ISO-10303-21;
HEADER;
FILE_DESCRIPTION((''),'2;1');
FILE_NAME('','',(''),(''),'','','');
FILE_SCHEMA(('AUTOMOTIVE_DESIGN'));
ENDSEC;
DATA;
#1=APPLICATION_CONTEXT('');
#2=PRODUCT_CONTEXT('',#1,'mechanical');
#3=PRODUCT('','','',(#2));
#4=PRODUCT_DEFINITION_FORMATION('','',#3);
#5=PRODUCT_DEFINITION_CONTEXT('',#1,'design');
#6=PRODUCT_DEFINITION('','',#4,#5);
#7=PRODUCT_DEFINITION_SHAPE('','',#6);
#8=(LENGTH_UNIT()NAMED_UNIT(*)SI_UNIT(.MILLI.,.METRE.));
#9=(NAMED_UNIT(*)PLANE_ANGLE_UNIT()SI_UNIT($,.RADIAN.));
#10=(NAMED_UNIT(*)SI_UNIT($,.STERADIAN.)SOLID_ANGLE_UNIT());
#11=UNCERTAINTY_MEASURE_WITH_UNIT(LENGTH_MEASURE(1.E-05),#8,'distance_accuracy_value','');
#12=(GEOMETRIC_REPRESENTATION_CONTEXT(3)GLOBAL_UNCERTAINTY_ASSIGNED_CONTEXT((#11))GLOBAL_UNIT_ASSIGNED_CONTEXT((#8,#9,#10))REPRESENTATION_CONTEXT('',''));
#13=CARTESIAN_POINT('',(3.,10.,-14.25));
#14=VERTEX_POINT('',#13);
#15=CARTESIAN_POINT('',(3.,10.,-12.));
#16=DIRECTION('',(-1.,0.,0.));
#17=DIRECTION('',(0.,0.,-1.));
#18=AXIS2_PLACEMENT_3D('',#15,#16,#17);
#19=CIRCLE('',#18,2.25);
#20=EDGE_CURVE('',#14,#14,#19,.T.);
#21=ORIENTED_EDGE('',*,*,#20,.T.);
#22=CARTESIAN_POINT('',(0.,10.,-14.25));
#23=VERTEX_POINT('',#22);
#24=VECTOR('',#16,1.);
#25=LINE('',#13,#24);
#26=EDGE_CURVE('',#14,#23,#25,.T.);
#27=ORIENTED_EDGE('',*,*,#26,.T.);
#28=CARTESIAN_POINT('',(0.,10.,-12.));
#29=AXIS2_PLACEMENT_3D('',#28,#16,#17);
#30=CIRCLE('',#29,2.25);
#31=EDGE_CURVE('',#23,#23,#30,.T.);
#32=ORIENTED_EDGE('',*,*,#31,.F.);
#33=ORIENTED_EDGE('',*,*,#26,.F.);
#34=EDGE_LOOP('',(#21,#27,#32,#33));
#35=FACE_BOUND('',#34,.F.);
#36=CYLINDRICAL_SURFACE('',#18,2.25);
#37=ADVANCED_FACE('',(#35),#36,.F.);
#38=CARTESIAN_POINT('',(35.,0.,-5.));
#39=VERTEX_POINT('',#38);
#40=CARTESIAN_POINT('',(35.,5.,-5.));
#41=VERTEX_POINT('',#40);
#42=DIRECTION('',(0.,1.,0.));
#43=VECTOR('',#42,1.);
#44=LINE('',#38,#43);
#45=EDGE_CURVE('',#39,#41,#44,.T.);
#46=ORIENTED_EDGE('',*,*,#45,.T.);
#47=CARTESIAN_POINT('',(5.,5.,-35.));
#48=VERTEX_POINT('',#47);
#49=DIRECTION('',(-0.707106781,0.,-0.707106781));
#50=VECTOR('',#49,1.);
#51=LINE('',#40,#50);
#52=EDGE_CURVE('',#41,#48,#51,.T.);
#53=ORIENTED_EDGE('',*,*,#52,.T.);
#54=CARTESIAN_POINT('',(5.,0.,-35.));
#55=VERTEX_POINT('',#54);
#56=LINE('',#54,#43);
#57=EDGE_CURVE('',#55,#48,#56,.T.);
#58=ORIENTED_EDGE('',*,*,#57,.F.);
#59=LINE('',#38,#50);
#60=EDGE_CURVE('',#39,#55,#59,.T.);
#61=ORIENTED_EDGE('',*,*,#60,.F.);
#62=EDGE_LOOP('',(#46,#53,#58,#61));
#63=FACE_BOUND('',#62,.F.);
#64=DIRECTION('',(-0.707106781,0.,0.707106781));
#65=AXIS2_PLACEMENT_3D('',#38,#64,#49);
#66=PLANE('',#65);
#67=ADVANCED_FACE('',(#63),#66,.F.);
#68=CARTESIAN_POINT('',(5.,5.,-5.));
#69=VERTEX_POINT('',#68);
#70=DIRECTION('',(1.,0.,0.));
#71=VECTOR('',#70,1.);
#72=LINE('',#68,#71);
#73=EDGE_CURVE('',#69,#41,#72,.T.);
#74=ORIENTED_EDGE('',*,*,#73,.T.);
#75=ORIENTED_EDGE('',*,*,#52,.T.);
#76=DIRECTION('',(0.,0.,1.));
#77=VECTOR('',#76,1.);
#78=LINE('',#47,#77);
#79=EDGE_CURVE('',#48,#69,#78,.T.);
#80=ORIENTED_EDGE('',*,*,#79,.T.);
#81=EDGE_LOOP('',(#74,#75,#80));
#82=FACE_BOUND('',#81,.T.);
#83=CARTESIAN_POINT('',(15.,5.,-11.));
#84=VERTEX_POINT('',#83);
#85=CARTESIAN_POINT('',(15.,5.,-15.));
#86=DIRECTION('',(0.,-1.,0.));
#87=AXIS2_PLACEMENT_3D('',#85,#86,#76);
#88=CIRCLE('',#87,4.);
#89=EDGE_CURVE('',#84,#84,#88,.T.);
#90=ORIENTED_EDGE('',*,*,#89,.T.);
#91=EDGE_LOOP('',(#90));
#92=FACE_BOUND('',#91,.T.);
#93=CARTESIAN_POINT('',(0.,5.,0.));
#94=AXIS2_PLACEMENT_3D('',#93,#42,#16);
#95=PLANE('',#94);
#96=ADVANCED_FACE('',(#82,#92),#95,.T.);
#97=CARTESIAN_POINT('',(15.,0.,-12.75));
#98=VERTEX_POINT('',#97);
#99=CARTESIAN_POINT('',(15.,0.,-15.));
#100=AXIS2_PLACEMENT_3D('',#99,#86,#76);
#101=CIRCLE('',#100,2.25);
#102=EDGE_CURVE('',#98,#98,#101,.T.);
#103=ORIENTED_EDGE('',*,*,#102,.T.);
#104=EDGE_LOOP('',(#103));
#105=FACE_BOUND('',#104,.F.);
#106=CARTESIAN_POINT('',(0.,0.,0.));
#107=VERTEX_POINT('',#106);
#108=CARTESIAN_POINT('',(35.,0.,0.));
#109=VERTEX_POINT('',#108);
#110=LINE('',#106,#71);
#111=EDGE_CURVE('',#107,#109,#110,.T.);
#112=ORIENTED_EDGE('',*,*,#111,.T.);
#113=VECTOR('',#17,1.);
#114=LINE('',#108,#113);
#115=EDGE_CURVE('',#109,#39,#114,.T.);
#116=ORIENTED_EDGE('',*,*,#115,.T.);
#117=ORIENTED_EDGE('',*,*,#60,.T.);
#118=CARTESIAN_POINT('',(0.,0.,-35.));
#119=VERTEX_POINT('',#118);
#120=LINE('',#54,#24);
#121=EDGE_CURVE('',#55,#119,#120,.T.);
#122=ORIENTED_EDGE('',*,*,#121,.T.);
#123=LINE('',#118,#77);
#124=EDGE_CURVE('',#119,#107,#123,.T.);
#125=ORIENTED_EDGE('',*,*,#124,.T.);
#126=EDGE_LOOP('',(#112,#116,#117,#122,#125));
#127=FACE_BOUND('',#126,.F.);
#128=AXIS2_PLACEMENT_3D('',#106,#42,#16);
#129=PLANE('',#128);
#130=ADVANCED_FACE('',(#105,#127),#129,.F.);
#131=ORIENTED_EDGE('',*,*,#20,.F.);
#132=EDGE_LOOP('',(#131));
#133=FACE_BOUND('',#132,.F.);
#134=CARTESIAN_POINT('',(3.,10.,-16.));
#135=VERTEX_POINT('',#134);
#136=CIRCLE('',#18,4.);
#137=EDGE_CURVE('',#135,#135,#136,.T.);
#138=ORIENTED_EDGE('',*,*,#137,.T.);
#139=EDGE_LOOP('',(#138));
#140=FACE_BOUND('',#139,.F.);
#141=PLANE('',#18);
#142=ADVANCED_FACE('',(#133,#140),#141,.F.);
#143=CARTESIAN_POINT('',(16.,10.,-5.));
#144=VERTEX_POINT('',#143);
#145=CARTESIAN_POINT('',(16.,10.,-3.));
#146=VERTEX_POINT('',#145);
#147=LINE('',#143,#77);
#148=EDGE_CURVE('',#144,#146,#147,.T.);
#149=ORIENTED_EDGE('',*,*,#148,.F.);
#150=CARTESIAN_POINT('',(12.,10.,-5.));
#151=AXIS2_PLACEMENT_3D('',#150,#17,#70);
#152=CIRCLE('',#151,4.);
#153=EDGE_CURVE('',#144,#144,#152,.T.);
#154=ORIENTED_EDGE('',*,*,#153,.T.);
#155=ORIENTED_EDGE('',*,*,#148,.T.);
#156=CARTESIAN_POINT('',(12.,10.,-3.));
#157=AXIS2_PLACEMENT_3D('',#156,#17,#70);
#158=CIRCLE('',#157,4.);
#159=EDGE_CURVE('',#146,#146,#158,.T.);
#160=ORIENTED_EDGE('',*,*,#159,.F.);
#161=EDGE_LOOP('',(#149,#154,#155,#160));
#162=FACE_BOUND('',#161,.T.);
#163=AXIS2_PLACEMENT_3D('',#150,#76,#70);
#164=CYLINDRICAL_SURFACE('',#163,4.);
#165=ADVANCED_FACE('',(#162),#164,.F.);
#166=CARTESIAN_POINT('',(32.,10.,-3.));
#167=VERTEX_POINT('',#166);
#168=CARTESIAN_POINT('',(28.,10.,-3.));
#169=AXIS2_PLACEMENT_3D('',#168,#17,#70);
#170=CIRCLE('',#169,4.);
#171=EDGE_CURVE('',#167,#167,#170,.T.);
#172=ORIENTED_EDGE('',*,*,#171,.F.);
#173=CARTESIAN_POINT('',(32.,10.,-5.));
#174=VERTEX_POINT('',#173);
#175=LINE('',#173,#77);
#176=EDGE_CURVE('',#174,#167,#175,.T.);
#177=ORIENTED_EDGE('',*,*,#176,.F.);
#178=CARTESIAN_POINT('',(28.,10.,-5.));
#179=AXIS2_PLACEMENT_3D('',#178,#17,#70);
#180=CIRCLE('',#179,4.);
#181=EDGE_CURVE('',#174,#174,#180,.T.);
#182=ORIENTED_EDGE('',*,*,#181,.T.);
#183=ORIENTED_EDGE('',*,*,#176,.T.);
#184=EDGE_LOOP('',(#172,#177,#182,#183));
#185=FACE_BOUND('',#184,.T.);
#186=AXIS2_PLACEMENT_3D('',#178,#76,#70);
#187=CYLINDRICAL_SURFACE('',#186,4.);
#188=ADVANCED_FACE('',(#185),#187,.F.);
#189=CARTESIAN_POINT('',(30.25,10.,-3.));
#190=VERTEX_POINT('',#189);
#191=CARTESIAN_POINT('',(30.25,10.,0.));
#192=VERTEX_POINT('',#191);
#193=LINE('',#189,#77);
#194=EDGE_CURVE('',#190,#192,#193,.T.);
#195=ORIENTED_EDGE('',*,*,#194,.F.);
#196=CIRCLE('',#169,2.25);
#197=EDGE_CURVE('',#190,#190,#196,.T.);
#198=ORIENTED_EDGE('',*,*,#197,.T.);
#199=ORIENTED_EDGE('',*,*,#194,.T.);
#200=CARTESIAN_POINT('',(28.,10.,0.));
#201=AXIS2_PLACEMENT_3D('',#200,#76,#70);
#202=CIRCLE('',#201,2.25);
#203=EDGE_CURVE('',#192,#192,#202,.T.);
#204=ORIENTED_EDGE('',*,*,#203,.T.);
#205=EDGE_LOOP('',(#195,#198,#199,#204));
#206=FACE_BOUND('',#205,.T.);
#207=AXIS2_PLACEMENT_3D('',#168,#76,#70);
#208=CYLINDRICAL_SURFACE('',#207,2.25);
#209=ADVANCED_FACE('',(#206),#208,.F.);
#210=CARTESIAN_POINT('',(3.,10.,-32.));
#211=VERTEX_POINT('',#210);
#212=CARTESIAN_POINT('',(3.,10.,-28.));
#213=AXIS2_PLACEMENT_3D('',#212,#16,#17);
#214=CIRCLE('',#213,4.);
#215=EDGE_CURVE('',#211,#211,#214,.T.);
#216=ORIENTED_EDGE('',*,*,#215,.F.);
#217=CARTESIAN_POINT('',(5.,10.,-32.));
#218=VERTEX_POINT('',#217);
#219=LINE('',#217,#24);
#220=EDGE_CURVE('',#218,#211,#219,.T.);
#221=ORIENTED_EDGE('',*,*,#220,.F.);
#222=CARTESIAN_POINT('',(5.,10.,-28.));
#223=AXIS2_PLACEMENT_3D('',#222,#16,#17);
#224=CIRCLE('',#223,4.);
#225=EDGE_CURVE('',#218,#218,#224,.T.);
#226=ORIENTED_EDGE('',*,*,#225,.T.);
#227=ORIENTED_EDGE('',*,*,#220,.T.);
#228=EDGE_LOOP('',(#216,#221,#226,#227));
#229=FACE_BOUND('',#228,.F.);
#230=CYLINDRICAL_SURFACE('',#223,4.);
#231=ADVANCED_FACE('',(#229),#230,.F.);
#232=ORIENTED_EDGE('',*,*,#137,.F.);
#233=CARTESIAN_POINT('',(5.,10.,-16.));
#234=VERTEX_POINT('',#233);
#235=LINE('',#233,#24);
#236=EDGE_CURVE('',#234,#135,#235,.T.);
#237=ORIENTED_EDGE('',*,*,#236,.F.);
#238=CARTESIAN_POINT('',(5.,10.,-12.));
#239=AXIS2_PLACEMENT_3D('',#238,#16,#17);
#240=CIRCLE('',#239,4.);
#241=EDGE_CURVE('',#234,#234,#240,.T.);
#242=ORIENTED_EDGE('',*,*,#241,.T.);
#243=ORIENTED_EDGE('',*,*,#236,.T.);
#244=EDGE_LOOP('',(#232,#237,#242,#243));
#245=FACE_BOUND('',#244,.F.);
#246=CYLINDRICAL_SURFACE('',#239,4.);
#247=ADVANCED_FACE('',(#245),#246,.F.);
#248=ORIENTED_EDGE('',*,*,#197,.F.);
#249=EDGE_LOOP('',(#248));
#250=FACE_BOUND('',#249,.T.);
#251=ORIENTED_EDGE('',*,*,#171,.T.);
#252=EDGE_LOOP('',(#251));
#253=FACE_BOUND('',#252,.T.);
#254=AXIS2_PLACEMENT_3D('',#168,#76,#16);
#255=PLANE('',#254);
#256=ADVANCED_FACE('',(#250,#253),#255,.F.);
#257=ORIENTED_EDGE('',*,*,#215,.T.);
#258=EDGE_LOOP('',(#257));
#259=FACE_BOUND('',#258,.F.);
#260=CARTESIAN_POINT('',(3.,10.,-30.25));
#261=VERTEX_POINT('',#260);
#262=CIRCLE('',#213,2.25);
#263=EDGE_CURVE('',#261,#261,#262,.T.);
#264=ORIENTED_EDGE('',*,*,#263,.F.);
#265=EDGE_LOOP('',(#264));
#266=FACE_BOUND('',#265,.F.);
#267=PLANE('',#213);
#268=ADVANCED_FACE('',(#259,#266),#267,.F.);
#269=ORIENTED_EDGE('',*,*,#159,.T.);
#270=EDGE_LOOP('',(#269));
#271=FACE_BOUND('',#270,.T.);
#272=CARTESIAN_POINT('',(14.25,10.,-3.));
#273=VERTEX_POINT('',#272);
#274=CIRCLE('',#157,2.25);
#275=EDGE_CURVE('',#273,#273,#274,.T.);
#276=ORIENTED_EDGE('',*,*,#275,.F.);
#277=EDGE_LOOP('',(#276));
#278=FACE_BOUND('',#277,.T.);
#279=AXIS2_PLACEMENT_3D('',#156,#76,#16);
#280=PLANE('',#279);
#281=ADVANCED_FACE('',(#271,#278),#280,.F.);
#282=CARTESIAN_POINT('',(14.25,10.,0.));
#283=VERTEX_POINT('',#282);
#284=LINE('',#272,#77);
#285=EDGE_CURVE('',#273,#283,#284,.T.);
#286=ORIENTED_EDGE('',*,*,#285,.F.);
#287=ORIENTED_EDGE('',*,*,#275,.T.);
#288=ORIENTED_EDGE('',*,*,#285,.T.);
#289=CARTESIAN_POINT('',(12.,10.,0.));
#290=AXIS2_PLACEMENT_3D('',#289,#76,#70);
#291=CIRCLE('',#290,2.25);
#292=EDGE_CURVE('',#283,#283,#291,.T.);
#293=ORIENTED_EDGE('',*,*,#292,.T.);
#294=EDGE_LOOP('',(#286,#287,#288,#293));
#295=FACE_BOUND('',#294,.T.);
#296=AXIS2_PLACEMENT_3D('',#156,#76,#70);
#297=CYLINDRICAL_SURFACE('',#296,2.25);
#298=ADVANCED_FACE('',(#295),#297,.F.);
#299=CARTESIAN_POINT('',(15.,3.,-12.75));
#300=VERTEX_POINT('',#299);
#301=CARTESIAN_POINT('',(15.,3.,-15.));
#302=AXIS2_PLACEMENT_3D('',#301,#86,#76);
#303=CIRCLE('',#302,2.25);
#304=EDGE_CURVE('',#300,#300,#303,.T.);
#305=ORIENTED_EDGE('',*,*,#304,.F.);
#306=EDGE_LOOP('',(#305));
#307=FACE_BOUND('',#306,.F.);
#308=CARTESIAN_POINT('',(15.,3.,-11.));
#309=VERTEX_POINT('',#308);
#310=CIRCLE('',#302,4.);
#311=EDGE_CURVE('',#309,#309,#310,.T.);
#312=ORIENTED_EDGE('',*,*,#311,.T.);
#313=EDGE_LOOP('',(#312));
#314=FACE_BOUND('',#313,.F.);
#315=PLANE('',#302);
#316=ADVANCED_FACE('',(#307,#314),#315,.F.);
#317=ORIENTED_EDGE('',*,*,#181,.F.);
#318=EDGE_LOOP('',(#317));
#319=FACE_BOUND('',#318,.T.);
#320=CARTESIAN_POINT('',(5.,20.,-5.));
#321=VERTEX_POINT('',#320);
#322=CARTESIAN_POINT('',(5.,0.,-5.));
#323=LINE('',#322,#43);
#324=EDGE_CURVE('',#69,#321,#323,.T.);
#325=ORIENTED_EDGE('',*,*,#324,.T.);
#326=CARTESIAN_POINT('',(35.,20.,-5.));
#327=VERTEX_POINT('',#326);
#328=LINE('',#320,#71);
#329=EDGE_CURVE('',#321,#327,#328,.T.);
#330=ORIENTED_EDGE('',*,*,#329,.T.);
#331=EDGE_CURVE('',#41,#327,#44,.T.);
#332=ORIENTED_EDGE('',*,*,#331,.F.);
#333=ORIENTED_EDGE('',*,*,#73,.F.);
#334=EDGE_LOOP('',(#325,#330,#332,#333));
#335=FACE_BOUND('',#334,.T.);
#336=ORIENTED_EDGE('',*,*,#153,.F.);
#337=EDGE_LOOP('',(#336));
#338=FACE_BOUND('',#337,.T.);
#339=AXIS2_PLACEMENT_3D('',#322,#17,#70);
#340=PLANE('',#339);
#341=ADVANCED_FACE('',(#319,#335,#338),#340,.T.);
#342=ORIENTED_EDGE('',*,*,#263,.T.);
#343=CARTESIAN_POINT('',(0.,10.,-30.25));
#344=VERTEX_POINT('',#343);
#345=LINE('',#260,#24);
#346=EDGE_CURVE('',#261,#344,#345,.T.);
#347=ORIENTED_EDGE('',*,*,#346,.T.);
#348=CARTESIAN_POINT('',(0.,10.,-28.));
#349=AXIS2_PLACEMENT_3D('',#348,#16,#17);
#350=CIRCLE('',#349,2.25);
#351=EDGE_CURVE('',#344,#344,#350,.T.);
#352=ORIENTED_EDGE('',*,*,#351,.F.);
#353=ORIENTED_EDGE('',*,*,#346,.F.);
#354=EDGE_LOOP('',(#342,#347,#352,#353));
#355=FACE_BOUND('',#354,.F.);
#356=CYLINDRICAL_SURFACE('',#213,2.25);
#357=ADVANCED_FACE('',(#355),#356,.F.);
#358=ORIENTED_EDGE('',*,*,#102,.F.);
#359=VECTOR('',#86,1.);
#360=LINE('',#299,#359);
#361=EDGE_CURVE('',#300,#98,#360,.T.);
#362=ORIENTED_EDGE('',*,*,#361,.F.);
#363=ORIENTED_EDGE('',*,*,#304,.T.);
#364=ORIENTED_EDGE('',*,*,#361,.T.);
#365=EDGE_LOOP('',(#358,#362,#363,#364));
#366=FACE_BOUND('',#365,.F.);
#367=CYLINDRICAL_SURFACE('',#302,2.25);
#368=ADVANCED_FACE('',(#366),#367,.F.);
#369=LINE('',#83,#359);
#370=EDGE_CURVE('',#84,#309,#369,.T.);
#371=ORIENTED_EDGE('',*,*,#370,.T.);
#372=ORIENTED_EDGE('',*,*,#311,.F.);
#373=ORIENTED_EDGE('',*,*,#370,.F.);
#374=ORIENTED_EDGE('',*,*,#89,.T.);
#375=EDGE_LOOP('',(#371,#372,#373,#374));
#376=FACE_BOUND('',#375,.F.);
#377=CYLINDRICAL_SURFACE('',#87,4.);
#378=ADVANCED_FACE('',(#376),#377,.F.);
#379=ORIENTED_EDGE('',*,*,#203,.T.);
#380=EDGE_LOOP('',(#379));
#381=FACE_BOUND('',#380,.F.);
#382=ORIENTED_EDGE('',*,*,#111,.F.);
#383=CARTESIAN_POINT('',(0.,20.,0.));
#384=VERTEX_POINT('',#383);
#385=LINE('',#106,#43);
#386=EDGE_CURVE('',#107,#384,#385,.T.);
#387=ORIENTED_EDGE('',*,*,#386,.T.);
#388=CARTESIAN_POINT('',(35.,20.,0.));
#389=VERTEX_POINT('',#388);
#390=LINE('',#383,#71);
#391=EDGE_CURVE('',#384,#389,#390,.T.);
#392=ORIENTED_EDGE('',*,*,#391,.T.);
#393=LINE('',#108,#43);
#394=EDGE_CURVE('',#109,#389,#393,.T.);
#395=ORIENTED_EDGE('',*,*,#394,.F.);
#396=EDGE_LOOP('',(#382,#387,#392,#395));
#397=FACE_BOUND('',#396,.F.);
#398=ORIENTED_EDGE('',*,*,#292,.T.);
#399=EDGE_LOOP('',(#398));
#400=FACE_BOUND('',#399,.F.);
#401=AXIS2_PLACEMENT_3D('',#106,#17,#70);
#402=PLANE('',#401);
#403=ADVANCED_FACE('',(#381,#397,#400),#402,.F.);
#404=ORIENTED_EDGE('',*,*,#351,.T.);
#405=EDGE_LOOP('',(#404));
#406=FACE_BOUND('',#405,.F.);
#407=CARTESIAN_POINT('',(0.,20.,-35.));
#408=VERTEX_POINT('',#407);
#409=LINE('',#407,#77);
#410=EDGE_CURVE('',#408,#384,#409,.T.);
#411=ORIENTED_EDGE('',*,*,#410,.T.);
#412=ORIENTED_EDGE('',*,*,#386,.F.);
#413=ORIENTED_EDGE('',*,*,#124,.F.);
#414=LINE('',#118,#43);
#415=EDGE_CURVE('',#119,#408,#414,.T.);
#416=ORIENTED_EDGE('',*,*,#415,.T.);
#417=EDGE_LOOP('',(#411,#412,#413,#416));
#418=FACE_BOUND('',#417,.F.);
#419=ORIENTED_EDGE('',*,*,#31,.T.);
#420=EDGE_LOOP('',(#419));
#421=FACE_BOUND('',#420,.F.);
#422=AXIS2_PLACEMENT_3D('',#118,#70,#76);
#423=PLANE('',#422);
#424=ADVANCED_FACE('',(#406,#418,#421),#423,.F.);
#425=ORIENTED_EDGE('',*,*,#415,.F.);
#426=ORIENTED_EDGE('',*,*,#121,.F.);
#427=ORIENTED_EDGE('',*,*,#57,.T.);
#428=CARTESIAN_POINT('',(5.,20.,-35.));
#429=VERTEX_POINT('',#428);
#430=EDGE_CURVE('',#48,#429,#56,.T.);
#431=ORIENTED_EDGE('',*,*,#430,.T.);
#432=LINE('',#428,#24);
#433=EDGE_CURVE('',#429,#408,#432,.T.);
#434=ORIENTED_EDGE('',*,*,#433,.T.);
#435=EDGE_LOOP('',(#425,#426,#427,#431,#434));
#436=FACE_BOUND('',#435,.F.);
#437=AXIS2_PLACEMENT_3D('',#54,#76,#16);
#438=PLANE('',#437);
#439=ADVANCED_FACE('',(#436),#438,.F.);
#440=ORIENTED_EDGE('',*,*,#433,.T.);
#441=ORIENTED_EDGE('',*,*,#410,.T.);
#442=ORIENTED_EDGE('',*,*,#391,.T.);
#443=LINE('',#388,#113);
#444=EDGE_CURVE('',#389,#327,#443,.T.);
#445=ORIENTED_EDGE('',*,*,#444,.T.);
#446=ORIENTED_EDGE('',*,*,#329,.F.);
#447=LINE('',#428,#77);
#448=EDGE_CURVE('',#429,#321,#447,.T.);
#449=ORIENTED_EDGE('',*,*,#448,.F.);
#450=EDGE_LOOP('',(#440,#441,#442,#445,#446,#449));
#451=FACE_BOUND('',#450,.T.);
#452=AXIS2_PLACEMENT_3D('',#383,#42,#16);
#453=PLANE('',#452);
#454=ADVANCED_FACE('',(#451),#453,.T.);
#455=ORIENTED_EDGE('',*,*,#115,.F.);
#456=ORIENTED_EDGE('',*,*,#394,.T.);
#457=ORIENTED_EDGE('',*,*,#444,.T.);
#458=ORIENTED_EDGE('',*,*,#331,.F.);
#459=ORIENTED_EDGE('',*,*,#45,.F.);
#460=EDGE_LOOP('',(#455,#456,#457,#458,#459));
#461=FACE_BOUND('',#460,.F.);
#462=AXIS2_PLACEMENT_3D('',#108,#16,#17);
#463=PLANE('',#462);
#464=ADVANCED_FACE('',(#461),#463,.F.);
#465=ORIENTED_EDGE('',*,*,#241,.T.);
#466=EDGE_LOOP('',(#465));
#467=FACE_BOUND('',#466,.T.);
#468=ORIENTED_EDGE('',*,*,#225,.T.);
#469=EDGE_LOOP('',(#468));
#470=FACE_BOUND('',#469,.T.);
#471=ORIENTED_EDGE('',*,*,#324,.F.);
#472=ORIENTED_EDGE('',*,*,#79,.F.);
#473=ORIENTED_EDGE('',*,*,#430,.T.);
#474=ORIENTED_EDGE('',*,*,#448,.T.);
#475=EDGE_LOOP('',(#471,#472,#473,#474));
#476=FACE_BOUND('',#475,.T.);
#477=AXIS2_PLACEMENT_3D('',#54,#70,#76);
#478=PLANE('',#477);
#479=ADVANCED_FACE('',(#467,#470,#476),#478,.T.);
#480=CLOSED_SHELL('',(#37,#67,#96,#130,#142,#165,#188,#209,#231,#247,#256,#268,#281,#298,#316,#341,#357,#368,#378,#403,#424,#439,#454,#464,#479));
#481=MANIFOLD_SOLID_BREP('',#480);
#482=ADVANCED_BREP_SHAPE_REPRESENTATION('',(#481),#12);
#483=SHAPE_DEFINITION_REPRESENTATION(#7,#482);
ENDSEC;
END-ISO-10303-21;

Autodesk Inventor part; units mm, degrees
ref_plane "YZ Plane" through (0, 0, 0) normal (1, 0, 0) x (0, 1, 0)
ref_plane "XZ Plane" through (0, 0, 0) normal (0, 1, 0) x (-1, 0, 0)
ref_plane "XY Plane" through (0, 0, 0) normal (0, 0, 1) x (1, 0, 0)
sketch "Sketch1" plane through (0, 0, 0) normal (0, 1, 0) x (-1, 0, 0)
  line L0 (0, 0) -> (-35, 0)
  line L1 (-35, 0) -> (-35, -5)
  line L2 (-5, -35) -> (0, -35)
  line L3 (0, -35) -> (0, 0)
  line L4 (-5, -5) -> (-35, -5)
  line L5 (-5, -35) -> (-5, -5)
  line L6 (-35, -5) -> (-5, -35)
  point P0 (-15, -15)
  dimension "d2" = 5
  dimension "d3" = 5
  dimension "d4" = 10
  dimension "d5" = 10
  dimension "d6" = 35
  dimension "d7" = 35
extrude "Extrusion1" add sketch "Sketch1" along normal blind 20 contours L3 L2 L5 L4 L1 L0
extrude "Extrusion2" add sketch "Sketch1" along normal blind 5 contours L4 L5 L6
sketch "Sketch2" plane through (5, 20, -5) normal (1, 0, 0) x (0, 0, -1)
  point P0 (-5, -20)
ref_plane "Work Plane1" through (5, 20, -5) normal (0.7071, 0, 0.7071) x (0, -1, 0)
sketch "Sketch3" plane through (5, 20, -5) normal (1, 0, 0) x (0, 0, -1)
  line L0 (0, 0) -> (30, 0) projected
  line L1 (0, -15) -> (0, 0) projected
  line L2 (30, -15) -> (30, 0) projected
  point P0 (-5, -20)
  point P1 (7, -10)
  point P2 (23, -10)
  dimension "d12" = 10
  dimension "d13" = 7
  dimension "d14" = 7
  dimension "d15" = 10
sketch "Sketch4" plane through (0, 5, 0) normal (0, 1, 0) x (1, 0, 0)
  point P0 (0, 0)
  point P1 (15, 15)
hole "Hole1" at (15, 5, -15) direction (0, -1, 0) diameter 4.5 end through all counterbore diameter 8 counterbore depth 2
hole "Hole2" at (5, 10, -12) at (5, 10, -28) direction (-1, 0, 0) diameter 4.5 end through all counterbore diameter 8 counterbore depth 2
mirror "Mirror1" about plane through (5, 20, -5) normal (0.7071, 0, 0.7071) of "Hole2"
equation "\"d5\" = d4"
equation "\"d15\" = d12"
properties part number "angle_90_profile_2020"
